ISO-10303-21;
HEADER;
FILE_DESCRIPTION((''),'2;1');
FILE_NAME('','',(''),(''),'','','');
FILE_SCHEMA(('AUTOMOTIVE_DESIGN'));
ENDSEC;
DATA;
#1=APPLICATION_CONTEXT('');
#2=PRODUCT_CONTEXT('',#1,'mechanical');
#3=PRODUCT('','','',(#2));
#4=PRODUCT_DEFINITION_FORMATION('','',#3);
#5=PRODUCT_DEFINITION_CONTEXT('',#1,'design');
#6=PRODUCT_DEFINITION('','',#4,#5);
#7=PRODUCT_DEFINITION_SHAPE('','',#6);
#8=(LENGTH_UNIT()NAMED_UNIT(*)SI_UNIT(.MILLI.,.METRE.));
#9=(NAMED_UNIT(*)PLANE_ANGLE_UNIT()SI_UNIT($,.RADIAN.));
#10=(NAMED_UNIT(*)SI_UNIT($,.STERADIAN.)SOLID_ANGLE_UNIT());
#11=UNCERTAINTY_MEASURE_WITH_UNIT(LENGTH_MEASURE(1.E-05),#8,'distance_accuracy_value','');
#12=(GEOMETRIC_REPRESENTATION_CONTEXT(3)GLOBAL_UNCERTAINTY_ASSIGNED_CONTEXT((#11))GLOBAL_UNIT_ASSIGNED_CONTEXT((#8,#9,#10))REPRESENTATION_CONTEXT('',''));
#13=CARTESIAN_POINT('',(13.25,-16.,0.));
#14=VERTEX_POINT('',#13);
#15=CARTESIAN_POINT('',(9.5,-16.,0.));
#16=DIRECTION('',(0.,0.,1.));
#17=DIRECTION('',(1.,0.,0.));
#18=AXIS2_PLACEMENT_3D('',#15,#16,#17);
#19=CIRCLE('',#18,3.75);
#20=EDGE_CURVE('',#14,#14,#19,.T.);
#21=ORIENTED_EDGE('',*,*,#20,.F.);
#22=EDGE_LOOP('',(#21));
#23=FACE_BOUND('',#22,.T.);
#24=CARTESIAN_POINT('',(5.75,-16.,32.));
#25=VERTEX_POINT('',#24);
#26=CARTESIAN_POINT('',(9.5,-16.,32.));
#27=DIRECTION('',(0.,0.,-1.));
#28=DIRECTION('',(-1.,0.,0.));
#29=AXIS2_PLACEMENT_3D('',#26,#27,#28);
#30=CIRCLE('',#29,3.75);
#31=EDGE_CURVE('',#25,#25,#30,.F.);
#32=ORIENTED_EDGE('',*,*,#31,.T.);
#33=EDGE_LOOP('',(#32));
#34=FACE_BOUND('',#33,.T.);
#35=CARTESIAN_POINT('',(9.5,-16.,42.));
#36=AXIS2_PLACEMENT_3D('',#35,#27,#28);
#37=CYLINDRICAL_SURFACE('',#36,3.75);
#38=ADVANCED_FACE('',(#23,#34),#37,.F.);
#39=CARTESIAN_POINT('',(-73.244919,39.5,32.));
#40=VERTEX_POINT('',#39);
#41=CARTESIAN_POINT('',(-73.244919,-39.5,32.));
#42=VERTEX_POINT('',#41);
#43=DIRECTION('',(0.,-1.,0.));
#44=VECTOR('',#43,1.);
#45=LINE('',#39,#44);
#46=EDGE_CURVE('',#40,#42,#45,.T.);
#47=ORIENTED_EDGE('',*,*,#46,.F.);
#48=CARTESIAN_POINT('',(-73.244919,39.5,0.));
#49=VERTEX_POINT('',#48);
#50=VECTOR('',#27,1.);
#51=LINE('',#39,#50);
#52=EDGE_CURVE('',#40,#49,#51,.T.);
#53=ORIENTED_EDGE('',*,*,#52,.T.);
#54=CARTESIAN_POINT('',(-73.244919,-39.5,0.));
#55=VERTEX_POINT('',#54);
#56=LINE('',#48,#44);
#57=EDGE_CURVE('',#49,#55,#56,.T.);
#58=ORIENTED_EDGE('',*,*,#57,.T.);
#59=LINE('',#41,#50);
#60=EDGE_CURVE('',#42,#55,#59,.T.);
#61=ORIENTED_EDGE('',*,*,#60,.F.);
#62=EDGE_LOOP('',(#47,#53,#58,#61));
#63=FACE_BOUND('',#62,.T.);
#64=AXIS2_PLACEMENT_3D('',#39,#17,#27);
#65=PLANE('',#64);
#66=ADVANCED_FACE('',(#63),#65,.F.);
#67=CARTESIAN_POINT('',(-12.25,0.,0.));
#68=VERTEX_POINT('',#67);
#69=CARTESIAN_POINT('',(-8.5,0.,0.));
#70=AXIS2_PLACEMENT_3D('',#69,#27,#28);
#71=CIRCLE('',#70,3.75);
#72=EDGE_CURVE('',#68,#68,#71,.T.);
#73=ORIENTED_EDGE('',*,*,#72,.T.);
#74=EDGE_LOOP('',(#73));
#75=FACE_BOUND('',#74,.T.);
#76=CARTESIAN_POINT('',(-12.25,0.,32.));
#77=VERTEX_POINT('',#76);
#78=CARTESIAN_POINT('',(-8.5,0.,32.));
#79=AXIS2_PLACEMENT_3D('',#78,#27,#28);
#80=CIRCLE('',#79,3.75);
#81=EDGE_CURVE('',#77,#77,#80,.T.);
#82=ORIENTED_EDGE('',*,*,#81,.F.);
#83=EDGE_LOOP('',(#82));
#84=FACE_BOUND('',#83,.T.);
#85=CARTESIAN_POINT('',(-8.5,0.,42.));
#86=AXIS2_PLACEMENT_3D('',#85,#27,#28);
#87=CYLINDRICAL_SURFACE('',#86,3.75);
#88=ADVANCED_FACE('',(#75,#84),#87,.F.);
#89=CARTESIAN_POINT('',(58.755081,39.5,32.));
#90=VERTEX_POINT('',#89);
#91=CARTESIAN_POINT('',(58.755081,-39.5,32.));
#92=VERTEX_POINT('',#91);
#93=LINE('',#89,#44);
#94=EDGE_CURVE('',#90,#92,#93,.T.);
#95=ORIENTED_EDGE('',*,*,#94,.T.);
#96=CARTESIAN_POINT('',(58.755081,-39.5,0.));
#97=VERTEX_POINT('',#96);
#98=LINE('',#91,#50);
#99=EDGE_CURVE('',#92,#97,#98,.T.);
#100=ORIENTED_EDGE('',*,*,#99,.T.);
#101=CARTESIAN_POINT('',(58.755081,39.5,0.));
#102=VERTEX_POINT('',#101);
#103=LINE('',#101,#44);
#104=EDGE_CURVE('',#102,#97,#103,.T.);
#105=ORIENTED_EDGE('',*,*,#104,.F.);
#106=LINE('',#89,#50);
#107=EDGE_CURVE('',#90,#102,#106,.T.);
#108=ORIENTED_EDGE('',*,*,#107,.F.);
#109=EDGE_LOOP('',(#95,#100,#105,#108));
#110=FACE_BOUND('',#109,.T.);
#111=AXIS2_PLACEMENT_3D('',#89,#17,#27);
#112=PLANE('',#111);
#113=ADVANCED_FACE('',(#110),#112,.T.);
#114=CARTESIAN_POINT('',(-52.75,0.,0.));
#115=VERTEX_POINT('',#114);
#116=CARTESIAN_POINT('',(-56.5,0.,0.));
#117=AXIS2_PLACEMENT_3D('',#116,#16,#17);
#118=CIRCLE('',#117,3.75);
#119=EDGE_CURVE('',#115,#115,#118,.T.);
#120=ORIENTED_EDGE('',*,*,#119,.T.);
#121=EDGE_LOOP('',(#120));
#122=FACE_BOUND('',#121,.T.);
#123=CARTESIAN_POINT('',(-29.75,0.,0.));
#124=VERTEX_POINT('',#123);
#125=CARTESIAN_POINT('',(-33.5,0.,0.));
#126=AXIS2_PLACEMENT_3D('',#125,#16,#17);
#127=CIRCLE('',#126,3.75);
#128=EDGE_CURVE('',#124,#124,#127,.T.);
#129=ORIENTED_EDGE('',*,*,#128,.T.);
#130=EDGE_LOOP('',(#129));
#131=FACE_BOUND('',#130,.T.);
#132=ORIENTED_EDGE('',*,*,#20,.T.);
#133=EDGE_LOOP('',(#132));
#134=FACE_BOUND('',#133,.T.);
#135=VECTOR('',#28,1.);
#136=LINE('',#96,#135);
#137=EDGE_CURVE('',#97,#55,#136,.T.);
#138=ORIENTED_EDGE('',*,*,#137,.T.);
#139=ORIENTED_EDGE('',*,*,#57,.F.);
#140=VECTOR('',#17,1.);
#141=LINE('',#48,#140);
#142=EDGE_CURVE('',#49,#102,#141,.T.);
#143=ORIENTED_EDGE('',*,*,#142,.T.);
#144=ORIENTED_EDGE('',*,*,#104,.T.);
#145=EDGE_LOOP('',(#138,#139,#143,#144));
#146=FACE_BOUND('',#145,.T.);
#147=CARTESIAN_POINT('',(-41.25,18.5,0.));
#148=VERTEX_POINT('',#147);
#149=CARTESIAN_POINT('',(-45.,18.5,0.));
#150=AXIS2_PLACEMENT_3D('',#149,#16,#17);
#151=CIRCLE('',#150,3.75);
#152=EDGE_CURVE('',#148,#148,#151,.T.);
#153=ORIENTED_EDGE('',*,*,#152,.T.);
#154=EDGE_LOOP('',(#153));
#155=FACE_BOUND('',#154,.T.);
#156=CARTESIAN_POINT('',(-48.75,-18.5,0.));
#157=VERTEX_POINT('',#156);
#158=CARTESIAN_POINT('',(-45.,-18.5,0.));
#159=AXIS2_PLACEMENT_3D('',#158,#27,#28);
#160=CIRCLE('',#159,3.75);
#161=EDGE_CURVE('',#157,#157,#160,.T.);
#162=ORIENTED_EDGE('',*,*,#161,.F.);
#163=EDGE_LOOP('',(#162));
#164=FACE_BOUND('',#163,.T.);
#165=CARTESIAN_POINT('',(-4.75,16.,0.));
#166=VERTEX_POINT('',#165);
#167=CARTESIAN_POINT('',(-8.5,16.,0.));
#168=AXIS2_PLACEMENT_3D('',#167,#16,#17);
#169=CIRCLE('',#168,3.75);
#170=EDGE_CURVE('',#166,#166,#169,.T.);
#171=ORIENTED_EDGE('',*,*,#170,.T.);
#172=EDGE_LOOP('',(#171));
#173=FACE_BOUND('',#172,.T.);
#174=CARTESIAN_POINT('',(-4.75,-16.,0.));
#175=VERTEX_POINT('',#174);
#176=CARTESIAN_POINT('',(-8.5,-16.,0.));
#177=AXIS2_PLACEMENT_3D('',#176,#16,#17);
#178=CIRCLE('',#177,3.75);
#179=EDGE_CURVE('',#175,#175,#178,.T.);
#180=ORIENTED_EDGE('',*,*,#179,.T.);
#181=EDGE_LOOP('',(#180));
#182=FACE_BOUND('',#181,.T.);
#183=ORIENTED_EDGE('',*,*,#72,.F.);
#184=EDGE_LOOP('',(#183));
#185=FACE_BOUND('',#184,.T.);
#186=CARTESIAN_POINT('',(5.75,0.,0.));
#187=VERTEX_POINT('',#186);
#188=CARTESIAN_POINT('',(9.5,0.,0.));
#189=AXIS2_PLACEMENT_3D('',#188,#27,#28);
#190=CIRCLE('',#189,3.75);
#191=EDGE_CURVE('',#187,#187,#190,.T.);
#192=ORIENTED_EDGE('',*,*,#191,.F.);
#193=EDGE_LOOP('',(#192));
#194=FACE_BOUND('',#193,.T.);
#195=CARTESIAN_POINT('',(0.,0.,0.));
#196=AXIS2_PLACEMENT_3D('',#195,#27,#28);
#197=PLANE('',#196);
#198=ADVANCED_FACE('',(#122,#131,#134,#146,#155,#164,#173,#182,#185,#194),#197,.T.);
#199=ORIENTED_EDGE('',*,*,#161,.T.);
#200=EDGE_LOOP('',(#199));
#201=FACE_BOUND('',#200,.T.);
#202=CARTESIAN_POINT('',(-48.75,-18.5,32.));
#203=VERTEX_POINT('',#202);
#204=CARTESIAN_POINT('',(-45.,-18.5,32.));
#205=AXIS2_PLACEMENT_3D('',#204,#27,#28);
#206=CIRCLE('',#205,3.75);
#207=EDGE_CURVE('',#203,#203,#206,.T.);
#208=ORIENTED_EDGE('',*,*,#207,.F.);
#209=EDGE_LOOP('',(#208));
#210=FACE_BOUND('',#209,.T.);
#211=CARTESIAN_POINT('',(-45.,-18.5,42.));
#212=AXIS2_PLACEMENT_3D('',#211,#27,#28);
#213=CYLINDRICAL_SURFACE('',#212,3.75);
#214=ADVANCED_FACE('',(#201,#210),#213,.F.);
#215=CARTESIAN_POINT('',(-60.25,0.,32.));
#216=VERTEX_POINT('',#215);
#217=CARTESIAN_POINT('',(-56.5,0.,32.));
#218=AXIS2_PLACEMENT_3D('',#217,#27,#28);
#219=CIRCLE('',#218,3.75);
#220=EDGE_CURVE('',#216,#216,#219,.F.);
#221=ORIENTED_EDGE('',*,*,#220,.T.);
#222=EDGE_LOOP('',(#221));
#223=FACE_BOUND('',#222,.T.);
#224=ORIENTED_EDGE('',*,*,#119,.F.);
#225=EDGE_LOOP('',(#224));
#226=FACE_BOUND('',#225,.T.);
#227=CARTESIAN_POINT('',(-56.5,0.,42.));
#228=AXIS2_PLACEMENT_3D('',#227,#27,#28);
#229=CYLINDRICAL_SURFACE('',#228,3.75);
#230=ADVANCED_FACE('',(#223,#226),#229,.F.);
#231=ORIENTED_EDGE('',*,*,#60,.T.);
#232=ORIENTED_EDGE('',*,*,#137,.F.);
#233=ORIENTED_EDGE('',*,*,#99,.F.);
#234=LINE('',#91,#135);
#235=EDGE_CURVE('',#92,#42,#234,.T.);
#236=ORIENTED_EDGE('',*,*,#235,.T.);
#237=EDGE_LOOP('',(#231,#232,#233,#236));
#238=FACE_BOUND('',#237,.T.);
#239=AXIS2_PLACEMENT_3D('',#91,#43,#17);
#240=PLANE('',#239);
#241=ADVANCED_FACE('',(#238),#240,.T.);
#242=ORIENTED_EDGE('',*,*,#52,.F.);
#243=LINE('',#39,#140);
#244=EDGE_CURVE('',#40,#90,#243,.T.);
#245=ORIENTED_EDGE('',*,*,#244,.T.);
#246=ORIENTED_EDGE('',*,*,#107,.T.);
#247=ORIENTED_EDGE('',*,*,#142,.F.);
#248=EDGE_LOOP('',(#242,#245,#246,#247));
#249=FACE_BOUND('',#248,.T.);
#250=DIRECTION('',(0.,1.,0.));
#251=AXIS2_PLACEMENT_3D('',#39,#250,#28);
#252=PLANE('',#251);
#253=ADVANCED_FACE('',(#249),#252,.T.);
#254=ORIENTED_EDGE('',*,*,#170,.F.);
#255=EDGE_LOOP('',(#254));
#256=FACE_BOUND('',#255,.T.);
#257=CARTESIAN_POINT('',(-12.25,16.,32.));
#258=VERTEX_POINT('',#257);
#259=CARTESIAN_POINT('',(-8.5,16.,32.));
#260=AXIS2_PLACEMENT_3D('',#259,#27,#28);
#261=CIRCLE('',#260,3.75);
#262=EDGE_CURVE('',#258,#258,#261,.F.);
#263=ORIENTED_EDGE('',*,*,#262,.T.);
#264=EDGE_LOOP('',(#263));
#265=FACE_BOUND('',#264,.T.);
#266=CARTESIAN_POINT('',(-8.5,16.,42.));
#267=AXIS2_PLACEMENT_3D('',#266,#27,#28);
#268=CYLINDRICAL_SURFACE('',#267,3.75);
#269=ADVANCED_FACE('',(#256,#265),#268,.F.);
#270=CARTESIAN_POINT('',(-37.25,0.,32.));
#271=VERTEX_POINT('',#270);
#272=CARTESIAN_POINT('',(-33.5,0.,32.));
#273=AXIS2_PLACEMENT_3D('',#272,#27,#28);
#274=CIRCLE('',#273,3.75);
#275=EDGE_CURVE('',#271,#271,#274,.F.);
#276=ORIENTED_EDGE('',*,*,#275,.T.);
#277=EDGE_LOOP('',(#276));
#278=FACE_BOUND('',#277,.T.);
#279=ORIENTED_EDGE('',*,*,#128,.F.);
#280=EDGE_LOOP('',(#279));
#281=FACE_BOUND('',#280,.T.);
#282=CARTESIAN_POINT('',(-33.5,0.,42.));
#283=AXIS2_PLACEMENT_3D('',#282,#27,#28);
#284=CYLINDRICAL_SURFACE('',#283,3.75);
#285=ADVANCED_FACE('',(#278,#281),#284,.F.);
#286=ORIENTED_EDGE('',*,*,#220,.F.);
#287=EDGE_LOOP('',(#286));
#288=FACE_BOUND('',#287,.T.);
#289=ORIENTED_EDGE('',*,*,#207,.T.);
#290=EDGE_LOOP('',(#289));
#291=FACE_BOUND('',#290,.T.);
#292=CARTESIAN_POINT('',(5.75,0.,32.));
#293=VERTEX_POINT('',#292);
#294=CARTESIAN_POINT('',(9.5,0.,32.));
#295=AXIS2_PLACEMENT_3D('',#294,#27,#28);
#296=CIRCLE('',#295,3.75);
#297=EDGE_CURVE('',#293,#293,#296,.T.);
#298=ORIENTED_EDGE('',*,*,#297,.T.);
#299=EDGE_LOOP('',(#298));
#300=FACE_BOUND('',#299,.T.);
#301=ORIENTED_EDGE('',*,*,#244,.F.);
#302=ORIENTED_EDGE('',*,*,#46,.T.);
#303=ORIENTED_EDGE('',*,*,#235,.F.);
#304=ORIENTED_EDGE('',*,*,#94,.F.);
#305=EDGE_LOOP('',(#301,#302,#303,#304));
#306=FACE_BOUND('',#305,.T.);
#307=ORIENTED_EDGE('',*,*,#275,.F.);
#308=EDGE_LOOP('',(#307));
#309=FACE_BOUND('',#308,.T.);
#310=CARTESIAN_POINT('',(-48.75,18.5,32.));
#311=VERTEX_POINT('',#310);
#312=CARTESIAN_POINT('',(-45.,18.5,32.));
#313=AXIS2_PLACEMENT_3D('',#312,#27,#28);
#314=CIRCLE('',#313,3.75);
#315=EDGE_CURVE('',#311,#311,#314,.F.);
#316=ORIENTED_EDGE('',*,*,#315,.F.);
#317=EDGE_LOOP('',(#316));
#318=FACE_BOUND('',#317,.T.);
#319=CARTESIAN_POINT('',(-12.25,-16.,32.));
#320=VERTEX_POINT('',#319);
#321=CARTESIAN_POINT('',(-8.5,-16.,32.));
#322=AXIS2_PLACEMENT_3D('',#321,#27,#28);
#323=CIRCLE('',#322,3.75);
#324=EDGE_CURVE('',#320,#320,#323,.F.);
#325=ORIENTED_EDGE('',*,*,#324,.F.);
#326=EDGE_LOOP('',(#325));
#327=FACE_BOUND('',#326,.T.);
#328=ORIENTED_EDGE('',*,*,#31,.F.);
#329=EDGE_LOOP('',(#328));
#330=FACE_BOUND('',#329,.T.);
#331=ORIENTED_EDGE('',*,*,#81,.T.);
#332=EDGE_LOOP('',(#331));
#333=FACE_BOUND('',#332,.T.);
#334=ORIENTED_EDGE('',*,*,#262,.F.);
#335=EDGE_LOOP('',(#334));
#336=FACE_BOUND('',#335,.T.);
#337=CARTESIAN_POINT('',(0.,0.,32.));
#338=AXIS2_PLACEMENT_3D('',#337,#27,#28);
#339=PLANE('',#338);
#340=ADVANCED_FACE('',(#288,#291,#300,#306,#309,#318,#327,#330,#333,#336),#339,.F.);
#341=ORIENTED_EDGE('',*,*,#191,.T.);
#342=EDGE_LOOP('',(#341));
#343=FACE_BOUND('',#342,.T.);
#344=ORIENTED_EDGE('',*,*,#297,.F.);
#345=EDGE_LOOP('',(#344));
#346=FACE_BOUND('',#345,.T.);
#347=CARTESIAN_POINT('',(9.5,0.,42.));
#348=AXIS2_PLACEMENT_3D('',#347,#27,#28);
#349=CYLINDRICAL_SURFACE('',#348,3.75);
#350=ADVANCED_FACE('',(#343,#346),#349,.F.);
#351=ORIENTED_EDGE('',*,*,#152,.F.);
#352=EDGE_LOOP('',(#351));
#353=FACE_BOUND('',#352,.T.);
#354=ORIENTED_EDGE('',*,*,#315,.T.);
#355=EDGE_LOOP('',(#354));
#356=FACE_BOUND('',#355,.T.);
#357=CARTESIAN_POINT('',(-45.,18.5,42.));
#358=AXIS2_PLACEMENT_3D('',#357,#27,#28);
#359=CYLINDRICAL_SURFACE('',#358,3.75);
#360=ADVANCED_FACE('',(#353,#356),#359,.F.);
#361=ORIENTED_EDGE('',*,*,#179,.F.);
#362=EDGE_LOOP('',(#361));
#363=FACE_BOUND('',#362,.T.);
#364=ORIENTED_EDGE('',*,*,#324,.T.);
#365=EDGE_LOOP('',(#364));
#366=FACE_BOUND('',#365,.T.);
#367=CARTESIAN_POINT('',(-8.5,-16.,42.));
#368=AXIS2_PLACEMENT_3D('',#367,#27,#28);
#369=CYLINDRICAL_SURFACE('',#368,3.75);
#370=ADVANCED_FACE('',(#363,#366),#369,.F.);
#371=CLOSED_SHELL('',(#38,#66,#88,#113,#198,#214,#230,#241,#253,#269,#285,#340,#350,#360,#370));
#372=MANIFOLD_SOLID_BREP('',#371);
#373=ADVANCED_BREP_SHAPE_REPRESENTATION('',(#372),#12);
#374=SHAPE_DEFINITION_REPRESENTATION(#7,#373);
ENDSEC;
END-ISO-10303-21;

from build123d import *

# Parameters (mm, degrees)
SKETCH1_W           = 132
SKETCH1_H           = 79
BOSS_EXTRUDE2_DEPTH = 32
SKETCH1_6_R         = 3.75
CUT_EXTRUDE15_DEPTH = 42


with BuildPart() as part:
    # Sketch1 → Boss-Extrude2 (new body)
    with BuildSketch(Plane.XY):
        with Locations((-7.24491948, 0)):
            Rectangle(SKETCH1_W, SKETCH1_H)
    extrude(amount=BOSS_EXTRUDE2_DEPTH)

    # Sketch1<6> → Cut-Extrude15 (cut)
    with BuildSketch(Plane.XY):
        with Locations((-45, 18.5)):
            Circle(SKETCH1_6_R)
        with Locations((-45, -18.5)):
            Circle(SKETCH1_6_R)
        with Locations((-56.5, 0)):
            Circle(SKETCH1_6_R)
        with Locations((-33.5, 0)):
            Circle(SKETCH1_6_R)
        with Locations((-8.5, 0)):
            Circle(SKETCH1_6_R)
        with Locations((-8.5, -16)):
            Circle(SKETCH1_6_R)
        with Locations((-8.5, 16)):
            Circle(SKETCH1_6_R)
        with Locations((9.5, -16)):
            Circle(SKETCH1_6_R)
        with Locations((9.5, 0)):
            Circle(SKETCH1_6_R)
    extrude(amount=CUT_EXTRUDE15_DEPTH, mode=Mode.SUBTRACT)


solid = part.part
